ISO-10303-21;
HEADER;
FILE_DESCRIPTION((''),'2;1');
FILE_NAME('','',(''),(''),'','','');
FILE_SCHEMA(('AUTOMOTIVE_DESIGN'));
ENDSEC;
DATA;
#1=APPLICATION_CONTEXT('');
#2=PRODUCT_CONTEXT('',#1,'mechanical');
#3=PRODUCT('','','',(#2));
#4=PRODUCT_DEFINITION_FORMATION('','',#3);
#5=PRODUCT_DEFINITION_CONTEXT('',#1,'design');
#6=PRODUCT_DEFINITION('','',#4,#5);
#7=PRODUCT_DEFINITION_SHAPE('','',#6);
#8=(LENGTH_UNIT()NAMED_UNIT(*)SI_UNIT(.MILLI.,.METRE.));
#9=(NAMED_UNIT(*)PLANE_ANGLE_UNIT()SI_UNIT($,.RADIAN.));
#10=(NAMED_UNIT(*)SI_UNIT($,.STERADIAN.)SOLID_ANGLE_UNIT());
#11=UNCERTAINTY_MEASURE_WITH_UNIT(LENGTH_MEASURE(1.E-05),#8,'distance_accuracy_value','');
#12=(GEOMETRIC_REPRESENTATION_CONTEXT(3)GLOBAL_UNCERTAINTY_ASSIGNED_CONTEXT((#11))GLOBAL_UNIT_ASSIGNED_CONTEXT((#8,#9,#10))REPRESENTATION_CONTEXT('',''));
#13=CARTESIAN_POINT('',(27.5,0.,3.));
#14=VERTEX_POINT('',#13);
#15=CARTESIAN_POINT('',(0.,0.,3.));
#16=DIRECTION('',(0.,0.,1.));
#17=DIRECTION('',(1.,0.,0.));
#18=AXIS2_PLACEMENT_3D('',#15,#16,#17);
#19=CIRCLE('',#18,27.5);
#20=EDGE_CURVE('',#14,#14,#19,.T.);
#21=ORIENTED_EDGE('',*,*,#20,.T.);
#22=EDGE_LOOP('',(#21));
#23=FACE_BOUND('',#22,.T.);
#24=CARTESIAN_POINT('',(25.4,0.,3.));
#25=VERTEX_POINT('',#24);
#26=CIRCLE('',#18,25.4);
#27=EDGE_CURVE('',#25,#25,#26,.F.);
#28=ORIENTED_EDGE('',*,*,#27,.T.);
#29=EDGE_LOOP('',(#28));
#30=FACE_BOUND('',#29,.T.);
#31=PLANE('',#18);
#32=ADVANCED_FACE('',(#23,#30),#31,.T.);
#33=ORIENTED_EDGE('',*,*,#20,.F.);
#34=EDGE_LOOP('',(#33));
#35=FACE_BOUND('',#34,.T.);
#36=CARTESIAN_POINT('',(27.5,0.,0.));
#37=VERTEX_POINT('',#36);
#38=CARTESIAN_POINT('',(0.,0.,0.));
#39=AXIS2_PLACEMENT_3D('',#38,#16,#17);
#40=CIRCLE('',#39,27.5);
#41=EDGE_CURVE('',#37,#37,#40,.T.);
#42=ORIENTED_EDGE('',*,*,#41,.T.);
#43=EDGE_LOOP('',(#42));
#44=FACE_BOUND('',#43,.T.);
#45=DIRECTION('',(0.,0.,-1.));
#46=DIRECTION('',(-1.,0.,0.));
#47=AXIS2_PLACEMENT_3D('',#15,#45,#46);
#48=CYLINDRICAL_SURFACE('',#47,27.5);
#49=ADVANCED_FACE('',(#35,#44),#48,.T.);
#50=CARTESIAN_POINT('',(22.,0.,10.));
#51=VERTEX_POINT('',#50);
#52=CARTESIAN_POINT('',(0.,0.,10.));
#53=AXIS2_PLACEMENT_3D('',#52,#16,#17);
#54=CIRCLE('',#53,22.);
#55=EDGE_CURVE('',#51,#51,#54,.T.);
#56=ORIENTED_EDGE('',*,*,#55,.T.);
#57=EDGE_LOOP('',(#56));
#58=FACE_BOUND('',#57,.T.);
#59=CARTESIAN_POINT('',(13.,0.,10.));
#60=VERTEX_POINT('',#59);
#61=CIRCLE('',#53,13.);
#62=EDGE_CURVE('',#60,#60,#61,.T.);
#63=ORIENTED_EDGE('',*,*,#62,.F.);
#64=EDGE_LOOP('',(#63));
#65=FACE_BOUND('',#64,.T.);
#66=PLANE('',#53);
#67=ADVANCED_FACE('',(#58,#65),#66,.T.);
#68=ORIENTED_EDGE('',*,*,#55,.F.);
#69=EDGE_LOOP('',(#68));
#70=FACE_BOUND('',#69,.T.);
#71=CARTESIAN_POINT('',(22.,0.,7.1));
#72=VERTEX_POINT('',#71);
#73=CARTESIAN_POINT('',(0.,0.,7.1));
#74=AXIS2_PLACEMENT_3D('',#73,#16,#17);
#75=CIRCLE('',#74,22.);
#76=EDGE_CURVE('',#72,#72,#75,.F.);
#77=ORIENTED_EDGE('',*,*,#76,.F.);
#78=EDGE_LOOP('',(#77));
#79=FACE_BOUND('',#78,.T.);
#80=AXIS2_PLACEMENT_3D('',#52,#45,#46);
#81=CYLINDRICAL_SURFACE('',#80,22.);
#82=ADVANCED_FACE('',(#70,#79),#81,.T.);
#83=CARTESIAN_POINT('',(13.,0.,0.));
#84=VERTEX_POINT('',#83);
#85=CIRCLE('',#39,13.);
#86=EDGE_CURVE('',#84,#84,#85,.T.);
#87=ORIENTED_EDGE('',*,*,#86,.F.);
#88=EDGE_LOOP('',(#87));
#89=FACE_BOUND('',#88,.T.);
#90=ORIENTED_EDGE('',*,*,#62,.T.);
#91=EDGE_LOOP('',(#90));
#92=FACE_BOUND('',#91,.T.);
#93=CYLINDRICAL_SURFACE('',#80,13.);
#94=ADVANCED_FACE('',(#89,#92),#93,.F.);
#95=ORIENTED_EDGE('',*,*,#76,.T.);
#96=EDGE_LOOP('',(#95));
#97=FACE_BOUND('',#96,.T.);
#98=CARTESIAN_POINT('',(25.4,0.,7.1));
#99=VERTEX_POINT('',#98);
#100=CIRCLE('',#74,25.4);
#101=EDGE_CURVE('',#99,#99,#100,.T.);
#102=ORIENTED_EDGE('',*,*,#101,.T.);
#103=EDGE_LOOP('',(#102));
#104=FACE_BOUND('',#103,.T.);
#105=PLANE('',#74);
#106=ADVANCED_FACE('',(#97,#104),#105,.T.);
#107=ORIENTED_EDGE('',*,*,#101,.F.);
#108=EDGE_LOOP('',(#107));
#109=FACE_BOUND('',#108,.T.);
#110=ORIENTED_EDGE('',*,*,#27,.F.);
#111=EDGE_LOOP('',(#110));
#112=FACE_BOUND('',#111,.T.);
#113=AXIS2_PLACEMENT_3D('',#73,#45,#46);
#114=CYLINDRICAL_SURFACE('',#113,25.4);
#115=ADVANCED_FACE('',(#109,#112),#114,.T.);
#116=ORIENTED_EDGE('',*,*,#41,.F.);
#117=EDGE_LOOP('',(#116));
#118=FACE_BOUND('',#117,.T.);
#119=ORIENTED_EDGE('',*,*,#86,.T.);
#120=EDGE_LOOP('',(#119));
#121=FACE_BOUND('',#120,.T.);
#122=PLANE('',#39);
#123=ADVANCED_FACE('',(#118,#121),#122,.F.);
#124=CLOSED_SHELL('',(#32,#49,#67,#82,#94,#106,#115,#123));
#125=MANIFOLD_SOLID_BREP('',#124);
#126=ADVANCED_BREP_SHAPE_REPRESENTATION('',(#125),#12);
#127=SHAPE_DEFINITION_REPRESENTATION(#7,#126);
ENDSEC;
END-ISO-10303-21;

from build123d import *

# Parameters (mm, degrees)
SKETCH_1_R          = 27.5
EXTRUDE_1_DEPTH     = 3
SKETCH_1_3_R        = 25.4
EXTRUDE_2_DEPTH     = 7.1
SKETCH_1_4_R        = 22
EXTRUDE_3_DEPTH     = 10
SKETCH_1_5_R        = 13
CUT_EXTRUDE_1_DEPTH = 10


with BuildPart() as part:
    # 草图1 → 凸台-拉伸1 (new body)
    with BuildSketch(Plane.XY):
        Circle(SKETCH_1_R)
    extrude(amount=EXTRUDE_1_DEPTH)

    # 草图1<3> → 凸台-拉伸2 (add)
    with BuildSketch(Plane.XY):
        Circle(SKETCH_1_3_R)
    extrude(amount=EXTRUDE_2_DEPTH)

    # 草图1<4> → 凸台-拉伸3 (add)
    with BuildSketch(Plane.XY):
        Circle(SKETCH_1_4_R)
    extrude(amount=EXTRUDE_3_DEPTH)

    # 草图1<5> → 切除-拉伸1 (cut)
    with BuildSketch(Plane.XY):
        Circle(SKETCH_1_5_R)
    extrude(amount=CUT_EXTRUDE_1_DEPTH, mode=Mode.SUBTRACT)


solid = part.part
